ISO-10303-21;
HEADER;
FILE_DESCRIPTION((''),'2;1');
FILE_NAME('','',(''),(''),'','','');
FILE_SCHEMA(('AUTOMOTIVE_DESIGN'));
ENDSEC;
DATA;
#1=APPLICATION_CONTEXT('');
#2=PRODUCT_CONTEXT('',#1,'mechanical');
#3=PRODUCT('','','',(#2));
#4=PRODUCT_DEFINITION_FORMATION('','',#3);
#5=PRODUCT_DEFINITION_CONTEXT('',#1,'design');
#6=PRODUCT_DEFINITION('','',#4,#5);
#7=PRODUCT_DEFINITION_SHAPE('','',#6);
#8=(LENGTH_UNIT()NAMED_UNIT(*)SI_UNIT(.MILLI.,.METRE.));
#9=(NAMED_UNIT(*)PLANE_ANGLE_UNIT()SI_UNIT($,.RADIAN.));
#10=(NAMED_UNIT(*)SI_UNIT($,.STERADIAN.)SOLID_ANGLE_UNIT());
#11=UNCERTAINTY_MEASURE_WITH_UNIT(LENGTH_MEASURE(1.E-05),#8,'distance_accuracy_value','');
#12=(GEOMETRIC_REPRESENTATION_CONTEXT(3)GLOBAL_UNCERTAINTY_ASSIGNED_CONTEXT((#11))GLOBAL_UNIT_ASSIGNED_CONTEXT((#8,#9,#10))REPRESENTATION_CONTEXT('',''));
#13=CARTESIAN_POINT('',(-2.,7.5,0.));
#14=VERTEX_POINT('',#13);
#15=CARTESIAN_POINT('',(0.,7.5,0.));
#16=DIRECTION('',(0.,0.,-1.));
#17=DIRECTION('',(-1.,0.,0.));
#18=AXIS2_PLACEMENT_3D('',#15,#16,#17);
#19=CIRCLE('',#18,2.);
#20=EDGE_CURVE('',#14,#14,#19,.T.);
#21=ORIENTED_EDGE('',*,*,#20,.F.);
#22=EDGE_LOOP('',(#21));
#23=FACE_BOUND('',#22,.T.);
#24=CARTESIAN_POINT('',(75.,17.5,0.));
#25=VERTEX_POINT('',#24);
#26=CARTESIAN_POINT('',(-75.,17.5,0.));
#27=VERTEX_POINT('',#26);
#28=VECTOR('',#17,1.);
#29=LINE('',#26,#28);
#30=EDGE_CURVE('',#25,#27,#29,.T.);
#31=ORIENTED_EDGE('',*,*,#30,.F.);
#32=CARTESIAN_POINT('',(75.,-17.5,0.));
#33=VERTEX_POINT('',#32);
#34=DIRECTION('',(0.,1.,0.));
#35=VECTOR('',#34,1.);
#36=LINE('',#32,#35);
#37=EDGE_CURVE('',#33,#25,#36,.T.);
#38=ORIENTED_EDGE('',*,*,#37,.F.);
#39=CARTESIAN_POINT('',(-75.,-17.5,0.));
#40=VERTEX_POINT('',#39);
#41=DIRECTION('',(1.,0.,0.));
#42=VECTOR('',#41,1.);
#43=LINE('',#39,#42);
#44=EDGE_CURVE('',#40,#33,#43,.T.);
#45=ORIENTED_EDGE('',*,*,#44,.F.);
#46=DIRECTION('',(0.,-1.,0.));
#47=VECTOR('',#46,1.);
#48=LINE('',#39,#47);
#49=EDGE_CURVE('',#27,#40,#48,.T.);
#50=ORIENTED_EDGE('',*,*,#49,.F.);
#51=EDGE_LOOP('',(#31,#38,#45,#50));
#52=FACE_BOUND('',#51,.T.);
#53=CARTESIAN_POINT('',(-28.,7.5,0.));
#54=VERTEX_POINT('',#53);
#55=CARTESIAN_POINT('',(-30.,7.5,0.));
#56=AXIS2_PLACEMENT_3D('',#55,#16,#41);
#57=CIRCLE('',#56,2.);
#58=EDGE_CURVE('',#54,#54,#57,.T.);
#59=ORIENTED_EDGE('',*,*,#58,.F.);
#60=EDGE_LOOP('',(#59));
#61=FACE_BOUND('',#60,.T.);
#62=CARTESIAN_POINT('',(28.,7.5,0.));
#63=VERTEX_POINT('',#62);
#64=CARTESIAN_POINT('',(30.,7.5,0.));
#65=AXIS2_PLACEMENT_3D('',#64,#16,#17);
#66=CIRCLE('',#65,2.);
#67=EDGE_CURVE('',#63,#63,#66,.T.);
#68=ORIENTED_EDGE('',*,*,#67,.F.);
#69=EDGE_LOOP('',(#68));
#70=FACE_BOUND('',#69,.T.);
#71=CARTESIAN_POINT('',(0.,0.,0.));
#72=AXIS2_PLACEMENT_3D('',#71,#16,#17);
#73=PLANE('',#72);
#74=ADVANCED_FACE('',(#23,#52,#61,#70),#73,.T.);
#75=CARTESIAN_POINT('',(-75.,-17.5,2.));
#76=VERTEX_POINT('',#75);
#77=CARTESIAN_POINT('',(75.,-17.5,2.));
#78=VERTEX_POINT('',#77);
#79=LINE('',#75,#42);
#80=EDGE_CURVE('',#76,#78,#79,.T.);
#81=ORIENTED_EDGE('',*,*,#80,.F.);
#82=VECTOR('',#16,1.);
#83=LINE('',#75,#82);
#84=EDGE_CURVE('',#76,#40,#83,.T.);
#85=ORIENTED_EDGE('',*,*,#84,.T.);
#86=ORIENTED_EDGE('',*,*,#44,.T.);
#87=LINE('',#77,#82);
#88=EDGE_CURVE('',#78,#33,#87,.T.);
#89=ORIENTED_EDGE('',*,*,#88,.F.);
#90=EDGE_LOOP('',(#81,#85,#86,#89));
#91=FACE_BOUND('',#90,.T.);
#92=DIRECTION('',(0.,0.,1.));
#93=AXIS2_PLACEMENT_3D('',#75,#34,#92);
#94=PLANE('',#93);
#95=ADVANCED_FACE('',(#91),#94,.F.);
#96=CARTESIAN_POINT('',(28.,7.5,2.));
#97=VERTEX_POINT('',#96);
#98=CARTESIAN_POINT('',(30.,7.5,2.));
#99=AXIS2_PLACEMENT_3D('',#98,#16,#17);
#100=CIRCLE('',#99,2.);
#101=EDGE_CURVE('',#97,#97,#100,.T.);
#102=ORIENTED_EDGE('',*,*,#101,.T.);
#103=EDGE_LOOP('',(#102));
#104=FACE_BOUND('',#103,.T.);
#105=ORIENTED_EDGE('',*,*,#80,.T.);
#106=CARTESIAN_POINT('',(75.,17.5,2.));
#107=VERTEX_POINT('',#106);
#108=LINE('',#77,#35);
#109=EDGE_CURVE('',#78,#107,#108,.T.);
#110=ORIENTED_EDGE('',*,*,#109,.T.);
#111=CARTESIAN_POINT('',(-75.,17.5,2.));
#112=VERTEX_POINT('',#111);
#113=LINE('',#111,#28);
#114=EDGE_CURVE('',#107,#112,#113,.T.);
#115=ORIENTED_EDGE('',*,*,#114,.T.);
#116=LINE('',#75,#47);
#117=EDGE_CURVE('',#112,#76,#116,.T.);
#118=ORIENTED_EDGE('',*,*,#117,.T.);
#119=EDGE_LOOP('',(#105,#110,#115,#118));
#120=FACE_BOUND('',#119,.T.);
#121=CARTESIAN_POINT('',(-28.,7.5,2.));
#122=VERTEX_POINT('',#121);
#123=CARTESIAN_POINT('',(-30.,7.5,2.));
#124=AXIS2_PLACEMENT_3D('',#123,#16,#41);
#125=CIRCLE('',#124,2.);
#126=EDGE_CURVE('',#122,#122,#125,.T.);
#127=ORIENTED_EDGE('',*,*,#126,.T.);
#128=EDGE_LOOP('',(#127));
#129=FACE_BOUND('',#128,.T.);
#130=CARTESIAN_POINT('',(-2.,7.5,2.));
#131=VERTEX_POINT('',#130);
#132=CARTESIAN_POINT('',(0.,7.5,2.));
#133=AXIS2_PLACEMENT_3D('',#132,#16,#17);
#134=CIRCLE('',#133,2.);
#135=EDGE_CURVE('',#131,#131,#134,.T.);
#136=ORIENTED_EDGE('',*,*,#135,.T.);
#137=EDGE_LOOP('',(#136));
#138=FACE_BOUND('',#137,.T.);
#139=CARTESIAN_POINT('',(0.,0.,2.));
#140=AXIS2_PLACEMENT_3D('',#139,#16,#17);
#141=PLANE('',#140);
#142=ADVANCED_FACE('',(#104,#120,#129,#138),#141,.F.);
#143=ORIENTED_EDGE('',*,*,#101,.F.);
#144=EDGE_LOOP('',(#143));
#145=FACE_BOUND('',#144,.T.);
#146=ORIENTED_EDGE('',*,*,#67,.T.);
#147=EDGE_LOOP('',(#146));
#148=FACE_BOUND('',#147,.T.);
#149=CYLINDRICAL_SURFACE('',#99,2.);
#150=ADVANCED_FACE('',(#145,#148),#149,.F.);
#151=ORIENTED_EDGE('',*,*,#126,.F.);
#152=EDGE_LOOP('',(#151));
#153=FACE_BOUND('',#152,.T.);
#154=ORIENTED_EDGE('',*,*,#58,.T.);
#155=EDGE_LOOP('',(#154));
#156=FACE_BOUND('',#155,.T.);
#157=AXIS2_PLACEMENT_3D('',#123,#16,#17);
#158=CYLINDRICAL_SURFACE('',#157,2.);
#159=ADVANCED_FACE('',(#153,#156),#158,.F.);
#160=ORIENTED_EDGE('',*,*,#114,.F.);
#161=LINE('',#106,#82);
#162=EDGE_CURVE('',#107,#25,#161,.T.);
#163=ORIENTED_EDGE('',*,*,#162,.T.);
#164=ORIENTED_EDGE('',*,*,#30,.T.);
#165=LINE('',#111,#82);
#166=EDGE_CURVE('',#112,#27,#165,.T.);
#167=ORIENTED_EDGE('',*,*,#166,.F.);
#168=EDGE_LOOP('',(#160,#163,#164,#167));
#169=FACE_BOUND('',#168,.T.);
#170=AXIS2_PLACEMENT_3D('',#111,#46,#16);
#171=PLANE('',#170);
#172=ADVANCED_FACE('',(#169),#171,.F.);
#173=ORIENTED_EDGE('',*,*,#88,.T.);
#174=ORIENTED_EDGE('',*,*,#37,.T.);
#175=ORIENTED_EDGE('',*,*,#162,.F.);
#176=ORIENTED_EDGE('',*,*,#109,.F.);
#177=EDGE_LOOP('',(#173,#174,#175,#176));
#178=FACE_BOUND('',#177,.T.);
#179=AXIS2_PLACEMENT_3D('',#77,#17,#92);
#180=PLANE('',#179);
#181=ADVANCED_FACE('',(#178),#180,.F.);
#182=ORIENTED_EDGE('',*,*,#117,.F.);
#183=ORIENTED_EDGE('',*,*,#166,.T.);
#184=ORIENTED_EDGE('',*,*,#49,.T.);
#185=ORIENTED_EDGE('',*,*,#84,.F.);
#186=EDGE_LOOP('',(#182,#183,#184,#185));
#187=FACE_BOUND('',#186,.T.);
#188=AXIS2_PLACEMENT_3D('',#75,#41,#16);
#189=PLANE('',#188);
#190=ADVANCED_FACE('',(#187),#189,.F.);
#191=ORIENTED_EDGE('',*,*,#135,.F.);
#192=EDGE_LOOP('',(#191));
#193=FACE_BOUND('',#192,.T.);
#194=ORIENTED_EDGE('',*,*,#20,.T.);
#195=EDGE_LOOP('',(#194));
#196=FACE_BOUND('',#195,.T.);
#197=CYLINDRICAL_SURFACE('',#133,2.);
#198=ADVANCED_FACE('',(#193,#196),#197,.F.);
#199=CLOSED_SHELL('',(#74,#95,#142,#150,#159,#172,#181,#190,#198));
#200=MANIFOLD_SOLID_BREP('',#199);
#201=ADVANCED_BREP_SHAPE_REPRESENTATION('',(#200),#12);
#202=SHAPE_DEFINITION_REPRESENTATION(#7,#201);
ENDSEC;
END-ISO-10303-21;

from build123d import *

# Parameters (mm, degrees)
SKETCH1_W           = 150
SKETCH1_H           = 35
BOSS_EXTRUDE1_DEPTH = 2
SKETCH2_R           = 2
FIX_HOLE_DEPTH      = 78.040573726


with BuildPart() as part:
    # Sketch1 → Boss-Extrude1 (new body)
    with BuildSketch(Plane.XY):
        Rectangle(SKETCH1_W, SKETCH1_H)
    extrude(amount=BOSS_EXTRUDE1_DEPTH)

    # Sketch2 → fix hole (cut, through all)
    with BuildSketch(Plane(origin=(0, 0, 0), x_dir=(-1, 0, 0), z_dir=(0, 0, -1))):
        with Locations(Location((30, 7.5, 0), (0, 0, 180))):
            Circle(SKETCH2_R)
        with Locations((0, 7.5)):
            Circle(SKETCH2_R)
        with Locations((-30, 7.5)):
            Circle(SKETCH2_R)
    extrude(amount=-FIX_HOLE_DEPTH, mode=Mode.SUBTRACT)


solid = part.part
